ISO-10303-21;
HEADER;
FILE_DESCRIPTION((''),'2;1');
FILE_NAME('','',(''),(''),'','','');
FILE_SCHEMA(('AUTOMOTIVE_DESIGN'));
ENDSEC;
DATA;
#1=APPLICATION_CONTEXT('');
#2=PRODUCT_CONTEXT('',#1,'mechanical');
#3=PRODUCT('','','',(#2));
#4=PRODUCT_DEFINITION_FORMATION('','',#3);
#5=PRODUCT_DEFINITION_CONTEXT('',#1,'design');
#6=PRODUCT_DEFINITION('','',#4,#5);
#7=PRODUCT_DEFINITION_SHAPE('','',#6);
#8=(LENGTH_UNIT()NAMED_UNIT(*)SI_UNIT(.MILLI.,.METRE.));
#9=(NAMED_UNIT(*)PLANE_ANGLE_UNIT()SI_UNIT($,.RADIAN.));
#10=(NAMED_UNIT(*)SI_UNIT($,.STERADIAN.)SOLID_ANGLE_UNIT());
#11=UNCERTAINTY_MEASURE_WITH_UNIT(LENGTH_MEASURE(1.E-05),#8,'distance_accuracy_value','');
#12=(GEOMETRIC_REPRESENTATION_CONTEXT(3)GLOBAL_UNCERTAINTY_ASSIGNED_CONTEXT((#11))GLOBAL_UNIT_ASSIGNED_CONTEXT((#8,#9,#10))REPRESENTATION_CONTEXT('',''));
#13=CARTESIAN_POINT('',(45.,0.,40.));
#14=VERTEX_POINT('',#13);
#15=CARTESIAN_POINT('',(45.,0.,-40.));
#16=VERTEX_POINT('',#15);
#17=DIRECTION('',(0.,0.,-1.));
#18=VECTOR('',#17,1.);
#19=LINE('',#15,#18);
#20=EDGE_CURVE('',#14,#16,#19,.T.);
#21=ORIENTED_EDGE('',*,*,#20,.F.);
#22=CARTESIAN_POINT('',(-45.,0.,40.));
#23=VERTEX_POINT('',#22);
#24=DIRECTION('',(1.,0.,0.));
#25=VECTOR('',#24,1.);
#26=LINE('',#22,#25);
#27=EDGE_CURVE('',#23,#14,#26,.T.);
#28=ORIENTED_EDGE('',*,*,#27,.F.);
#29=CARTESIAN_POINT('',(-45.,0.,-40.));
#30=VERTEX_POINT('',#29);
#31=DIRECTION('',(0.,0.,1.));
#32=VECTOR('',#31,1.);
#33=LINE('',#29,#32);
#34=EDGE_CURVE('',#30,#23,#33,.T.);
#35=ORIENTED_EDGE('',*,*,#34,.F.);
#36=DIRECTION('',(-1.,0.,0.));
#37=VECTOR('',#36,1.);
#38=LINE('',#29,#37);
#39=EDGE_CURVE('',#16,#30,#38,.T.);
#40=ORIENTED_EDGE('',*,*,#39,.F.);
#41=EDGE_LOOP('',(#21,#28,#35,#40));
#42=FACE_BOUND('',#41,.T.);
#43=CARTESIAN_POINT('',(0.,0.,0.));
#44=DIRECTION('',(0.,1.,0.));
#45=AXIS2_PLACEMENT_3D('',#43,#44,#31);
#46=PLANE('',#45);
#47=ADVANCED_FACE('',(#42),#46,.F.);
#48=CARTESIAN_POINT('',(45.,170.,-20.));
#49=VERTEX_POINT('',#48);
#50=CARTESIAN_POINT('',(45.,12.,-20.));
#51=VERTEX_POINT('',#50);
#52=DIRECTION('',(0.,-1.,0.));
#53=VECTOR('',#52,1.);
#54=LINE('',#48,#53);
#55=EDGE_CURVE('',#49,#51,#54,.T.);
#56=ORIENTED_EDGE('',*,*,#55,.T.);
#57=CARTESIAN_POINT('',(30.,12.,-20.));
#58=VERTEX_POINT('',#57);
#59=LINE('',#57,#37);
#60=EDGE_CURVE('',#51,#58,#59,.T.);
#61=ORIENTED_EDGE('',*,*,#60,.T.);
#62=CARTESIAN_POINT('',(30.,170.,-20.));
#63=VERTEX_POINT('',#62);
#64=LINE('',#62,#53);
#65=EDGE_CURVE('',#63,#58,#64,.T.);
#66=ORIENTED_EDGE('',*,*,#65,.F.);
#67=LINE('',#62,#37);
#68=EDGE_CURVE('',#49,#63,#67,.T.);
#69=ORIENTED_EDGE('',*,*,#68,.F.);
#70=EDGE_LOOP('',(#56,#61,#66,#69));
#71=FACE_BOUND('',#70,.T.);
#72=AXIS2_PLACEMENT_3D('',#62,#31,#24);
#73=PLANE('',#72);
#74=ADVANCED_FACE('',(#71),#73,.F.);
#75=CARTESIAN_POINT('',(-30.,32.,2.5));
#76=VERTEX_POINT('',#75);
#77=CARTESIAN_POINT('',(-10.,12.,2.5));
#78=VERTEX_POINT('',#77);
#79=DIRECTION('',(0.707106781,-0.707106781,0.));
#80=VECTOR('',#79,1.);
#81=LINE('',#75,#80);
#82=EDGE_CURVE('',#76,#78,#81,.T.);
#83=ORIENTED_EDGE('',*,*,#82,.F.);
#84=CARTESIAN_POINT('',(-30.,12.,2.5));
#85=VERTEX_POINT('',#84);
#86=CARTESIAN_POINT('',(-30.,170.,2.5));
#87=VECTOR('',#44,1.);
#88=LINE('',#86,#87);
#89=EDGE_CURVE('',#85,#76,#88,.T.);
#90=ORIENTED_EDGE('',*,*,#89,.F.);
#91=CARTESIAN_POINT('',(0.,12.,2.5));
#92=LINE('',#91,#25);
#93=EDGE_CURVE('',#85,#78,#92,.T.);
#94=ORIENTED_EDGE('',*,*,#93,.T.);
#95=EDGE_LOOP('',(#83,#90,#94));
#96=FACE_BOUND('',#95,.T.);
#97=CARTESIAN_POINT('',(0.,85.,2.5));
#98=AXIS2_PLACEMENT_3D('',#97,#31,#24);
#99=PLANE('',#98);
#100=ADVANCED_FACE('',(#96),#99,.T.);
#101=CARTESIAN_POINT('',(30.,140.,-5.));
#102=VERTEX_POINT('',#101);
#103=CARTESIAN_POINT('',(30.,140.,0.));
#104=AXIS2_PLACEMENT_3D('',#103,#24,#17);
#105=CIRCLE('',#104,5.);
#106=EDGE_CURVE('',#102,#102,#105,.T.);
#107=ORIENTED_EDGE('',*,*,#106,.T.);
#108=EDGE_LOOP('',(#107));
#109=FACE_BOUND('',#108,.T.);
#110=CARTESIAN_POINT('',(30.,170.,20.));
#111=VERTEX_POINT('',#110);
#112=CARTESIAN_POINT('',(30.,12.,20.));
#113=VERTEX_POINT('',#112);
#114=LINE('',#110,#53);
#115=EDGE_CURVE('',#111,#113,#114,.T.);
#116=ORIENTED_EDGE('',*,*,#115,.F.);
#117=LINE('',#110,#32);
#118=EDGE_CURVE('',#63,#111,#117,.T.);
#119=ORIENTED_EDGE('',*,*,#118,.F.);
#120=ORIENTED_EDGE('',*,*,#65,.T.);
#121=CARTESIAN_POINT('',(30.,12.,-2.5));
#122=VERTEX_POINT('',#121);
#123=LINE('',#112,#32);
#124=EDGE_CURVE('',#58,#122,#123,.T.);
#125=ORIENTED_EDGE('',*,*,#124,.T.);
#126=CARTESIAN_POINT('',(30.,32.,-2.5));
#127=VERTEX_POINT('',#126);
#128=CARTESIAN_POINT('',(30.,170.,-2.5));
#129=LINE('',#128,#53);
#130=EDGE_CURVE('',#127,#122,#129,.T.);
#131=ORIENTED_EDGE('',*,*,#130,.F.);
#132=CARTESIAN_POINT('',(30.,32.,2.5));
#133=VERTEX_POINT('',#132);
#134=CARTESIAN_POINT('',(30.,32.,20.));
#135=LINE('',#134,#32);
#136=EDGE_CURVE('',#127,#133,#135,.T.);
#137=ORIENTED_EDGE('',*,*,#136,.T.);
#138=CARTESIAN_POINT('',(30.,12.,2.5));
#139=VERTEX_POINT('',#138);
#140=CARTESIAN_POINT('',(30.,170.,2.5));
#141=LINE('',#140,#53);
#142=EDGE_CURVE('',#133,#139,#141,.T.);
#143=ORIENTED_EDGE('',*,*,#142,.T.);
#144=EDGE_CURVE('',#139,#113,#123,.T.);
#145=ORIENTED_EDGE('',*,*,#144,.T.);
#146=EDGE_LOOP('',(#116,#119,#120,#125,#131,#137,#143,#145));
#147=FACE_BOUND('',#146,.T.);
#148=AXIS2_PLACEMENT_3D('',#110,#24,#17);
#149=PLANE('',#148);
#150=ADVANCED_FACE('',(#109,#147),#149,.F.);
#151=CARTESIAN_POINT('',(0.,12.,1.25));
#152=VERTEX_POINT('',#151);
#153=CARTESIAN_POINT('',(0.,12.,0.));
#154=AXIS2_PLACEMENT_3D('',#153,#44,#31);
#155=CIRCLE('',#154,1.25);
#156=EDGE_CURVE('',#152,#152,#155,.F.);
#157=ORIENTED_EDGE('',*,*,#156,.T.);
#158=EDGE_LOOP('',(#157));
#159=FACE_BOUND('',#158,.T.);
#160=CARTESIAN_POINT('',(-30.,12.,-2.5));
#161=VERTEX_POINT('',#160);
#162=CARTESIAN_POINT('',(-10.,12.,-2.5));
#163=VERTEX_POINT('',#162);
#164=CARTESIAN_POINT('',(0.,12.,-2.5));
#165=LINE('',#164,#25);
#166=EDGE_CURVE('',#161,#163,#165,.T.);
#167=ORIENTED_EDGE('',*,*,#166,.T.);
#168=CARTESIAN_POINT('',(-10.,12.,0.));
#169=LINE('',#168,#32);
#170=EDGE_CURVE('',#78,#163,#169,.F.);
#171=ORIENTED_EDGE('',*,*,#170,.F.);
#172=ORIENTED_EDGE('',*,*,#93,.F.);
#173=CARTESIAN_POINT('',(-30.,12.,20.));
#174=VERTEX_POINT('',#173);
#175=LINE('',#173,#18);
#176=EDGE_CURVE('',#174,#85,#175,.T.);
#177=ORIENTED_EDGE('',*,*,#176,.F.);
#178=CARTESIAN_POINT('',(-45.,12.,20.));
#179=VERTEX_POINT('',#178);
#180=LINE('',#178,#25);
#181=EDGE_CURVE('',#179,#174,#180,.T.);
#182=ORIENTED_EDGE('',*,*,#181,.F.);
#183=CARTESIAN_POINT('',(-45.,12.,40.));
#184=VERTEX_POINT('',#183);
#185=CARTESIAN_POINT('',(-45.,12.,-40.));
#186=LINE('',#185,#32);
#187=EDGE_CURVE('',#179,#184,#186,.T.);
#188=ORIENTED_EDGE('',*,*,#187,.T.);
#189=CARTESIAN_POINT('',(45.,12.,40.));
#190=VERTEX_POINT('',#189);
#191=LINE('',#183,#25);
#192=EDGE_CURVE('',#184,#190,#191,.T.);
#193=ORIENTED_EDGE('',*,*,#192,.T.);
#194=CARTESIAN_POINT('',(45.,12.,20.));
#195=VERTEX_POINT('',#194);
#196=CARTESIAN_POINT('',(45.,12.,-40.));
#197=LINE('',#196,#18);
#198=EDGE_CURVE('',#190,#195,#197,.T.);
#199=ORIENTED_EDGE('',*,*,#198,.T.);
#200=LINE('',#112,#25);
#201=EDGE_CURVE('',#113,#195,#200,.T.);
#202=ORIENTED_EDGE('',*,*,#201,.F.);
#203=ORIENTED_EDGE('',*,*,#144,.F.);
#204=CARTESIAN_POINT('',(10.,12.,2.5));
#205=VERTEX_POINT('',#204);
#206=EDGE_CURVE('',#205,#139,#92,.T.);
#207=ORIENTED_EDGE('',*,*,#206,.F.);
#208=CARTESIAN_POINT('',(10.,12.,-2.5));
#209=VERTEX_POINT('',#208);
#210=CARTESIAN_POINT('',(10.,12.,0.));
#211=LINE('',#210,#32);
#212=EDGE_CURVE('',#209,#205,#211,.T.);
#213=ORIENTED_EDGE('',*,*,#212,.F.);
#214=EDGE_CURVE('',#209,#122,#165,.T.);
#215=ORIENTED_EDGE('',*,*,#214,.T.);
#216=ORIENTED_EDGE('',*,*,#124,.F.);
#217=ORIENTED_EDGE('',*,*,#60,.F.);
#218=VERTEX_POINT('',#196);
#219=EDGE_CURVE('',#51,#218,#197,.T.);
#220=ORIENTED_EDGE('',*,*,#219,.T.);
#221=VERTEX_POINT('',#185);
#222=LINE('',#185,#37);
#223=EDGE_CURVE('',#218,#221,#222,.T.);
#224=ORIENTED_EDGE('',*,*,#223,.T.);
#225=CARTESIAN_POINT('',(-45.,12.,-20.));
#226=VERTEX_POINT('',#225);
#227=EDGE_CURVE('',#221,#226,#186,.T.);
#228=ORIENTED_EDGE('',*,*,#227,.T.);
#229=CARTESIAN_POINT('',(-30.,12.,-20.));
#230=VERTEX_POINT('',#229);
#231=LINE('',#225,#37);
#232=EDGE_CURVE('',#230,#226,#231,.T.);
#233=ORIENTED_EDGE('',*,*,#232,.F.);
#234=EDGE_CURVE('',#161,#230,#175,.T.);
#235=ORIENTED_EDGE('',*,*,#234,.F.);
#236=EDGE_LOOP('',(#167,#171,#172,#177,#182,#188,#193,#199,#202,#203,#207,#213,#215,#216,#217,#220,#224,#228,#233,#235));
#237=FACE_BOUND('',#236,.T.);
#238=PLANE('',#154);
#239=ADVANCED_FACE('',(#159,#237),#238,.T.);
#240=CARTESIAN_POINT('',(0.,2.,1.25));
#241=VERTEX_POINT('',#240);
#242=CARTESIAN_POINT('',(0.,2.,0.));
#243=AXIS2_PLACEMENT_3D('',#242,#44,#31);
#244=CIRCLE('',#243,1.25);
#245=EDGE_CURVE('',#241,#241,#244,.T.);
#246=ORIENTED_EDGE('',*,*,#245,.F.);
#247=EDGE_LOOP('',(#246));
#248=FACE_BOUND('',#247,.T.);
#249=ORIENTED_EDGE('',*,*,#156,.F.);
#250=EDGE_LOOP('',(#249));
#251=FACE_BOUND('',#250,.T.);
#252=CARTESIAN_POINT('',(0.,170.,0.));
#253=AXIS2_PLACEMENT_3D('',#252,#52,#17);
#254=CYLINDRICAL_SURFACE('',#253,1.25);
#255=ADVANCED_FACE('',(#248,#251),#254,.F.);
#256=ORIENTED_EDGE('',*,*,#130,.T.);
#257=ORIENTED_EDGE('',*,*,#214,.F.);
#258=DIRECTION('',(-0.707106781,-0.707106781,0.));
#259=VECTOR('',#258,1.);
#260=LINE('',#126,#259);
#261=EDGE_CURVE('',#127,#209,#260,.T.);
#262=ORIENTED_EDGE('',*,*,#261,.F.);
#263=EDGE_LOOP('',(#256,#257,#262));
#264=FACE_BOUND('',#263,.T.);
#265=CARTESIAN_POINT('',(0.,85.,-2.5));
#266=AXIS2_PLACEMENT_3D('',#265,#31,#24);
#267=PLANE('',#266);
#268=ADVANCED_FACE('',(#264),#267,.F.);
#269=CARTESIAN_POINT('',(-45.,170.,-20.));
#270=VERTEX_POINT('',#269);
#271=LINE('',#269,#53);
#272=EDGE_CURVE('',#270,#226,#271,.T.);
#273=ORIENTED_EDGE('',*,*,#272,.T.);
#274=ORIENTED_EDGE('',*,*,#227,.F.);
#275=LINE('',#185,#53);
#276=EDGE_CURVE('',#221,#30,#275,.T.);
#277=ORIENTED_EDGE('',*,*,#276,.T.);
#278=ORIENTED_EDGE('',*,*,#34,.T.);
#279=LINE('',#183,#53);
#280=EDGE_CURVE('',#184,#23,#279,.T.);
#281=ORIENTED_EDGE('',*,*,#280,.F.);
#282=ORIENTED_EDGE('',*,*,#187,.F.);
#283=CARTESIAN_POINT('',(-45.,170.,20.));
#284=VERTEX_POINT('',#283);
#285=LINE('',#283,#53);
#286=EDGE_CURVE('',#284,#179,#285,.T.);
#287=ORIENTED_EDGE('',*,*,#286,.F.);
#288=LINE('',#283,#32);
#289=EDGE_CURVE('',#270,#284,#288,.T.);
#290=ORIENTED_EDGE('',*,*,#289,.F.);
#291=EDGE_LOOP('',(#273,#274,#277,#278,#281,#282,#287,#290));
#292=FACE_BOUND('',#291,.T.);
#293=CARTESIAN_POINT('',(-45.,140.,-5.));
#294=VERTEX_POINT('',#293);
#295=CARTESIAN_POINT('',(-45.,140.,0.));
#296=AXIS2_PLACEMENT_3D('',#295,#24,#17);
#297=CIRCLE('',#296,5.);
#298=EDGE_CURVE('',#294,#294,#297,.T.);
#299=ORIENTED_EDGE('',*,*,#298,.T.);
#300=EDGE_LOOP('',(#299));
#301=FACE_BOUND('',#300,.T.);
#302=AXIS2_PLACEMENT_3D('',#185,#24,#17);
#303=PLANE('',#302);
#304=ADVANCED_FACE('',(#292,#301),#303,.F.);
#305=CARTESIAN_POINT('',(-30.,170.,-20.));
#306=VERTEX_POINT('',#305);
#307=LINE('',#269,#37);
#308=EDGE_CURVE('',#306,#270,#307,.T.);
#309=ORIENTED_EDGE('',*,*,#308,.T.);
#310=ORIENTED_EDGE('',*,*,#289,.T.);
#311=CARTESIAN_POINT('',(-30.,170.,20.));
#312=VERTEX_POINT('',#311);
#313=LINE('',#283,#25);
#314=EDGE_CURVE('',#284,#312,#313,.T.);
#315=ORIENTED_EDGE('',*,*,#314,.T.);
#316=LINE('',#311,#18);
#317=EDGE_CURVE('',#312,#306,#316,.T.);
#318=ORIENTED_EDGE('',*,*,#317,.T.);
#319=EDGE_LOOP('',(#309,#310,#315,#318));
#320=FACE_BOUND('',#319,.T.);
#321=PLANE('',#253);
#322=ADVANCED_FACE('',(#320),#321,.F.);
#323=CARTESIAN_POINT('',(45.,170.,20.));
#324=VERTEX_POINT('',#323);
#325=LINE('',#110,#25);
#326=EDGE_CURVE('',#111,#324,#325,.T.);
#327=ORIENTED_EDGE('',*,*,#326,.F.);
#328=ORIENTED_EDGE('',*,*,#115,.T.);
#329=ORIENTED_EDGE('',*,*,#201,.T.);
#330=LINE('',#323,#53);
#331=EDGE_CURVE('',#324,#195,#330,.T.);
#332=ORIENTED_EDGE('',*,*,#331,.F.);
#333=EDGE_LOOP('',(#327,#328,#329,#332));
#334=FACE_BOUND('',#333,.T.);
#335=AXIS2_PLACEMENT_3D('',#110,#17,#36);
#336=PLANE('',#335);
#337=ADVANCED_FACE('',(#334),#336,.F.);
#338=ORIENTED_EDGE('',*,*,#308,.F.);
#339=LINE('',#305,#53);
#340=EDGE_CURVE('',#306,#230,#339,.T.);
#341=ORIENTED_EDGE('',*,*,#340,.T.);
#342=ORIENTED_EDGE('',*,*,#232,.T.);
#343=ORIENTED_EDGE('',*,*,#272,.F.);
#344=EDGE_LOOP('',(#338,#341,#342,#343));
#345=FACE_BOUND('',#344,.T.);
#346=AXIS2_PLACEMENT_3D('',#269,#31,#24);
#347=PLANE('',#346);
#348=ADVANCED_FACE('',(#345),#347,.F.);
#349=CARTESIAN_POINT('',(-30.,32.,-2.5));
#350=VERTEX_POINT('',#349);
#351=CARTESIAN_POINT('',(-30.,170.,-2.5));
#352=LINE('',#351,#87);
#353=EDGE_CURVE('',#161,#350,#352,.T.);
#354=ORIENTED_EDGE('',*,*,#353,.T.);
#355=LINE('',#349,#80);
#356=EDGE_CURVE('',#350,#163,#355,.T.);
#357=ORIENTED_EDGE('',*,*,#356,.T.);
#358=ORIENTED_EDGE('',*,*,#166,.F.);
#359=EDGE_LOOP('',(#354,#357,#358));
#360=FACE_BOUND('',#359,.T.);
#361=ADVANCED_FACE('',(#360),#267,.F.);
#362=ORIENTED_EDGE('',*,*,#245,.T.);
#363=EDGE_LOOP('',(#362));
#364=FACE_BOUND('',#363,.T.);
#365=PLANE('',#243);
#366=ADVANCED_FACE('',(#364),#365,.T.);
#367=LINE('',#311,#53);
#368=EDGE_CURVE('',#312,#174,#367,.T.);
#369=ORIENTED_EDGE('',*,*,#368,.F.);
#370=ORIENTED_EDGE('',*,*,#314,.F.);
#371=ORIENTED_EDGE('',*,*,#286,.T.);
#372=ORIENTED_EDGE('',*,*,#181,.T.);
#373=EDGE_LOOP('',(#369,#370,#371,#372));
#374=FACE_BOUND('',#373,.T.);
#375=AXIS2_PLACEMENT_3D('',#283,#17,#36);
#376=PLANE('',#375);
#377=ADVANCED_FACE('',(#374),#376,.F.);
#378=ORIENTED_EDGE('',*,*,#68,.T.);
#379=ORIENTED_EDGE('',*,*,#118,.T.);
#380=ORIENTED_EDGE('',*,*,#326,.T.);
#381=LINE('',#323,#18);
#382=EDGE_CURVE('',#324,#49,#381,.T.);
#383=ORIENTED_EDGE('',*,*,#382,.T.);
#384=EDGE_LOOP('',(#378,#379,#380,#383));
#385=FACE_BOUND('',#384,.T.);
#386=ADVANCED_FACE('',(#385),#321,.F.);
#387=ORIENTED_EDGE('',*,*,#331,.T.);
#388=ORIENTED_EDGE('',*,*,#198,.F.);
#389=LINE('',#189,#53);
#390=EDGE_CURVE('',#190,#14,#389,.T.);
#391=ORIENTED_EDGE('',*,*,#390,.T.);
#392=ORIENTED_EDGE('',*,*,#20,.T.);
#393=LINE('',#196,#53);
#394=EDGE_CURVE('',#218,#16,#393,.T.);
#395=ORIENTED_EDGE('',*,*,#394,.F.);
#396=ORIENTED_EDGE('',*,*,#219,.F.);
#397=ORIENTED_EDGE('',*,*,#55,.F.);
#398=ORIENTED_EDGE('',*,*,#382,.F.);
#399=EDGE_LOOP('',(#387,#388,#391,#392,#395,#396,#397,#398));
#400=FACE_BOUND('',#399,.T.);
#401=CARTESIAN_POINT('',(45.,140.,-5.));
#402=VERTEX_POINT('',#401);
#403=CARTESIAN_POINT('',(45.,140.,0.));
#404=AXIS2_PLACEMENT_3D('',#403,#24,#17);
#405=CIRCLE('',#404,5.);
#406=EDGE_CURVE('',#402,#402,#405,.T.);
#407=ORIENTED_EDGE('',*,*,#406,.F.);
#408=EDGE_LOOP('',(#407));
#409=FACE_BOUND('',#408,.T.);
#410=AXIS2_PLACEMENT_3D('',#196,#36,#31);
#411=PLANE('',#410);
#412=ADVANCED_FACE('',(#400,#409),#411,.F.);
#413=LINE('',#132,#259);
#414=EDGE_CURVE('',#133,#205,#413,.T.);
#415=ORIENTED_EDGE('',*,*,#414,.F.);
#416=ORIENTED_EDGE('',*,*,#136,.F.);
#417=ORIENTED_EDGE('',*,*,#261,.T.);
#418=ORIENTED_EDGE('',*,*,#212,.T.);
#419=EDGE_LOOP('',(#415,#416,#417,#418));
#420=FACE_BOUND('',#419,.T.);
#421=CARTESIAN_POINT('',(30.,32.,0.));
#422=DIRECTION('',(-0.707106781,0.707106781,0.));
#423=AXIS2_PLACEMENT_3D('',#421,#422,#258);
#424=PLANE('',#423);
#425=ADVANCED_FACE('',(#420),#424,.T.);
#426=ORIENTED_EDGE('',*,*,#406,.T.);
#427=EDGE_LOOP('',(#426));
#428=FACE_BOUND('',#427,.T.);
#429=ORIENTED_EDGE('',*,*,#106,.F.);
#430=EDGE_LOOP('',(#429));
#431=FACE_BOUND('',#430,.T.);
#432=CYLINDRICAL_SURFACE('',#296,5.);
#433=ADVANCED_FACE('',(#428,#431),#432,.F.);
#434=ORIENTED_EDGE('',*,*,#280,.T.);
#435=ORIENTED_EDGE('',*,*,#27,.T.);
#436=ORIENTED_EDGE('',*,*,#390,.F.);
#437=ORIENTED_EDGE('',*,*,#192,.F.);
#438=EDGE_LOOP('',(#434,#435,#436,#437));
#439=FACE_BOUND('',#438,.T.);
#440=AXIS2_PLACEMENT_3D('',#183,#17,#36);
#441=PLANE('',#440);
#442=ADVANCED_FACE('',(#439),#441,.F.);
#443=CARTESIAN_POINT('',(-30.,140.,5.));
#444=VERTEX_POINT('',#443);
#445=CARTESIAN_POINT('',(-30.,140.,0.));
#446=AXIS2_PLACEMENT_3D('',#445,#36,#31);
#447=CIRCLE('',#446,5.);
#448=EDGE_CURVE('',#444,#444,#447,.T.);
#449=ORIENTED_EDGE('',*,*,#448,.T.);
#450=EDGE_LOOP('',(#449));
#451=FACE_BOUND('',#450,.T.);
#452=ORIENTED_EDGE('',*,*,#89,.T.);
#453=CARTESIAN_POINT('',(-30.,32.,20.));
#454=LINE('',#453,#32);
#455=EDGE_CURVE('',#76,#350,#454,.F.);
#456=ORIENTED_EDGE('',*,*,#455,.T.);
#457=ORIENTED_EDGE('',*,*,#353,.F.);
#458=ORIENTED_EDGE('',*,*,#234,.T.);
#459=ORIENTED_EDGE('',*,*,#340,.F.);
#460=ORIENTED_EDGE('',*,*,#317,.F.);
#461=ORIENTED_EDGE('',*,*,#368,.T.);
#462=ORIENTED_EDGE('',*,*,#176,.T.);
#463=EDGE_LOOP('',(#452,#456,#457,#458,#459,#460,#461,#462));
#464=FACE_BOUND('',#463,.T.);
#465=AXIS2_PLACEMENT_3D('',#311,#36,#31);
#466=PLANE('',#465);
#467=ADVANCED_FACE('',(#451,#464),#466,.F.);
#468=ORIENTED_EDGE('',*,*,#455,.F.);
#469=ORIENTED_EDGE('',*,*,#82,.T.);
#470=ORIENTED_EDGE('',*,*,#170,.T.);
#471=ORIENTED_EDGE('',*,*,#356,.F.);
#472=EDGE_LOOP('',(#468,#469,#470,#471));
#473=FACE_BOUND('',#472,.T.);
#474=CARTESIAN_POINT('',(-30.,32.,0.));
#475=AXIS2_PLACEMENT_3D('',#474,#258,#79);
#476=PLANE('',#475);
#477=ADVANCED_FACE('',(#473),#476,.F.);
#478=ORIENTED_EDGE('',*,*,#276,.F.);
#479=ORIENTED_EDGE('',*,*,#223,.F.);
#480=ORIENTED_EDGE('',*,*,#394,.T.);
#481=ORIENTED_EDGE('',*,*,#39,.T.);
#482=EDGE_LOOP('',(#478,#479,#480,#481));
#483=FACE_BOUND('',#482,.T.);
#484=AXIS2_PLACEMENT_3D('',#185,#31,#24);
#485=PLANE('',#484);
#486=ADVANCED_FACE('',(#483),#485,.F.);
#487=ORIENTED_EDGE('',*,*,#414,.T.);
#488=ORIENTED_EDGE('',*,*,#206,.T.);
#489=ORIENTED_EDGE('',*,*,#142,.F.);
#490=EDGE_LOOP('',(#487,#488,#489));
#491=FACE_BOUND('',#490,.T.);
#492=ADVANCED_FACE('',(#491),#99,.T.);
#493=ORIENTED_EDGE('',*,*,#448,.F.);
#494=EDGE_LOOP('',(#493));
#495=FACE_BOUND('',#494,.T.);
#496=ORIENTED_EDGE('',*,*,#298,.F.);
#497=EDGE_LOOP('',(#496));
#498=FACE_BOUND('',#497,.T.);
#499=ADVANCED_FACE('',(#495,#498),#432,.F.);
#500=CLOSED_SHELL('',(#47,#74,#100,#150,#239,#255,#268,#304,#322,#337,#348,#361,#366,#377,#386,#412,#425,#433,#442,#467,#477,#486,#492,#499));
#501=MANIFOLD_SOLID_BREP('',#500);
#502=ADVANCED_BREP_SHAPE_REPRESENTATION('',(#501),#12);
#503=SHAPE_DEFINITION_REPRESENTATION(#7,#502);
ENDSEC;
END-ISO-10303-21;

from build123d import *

# Parameters (mm, degrees)
SKETCH_1_W               = 90
SKETCH_1_H               = 80
EXTRUDE_1_DEPTH          = 12
SKETCH_2_W               = 15
SKETCH_2_H               = 40
EXTRUDE_2_DEPTH          = 158
CUT_EXTRUDE_1_DEPTH      = 181.346887969
CUT_EXTRUDE_1_DEPTH_BACK = 181.346887969
SKETCH_3_R               = 5
CUT_EXTRUDE_2_DEPTH      = 170.082819943
CUT_EXTRUDE_2_DEPTH_BACK = 10
SKETCH_4_R               = 1.25
RIB_6_REACH              = 182.347
SKETCH_6_WALL_W          = 28.284271248
SKETCH_6_WALL_H          = 5


with BuildPart() as part:
    # 草图1 → 凸台-拉伸1 (new body)
    with BuildSketch(Plane(origin=(0, 0, 0), x_dir=(1, 0, 0), z_dir=(0, 1, 0))):
        Rectangle(SKETCH_1_W, SKETCH_1_H)
    extrude(amount=EXTRUDE_1_DEPTH)

    # 草图2 → 凸台-拉伸2 (add)
    with BuildSketch(Plane(origin=(0, 12, 0), x_dir=(1, 0, 0), z_dir=(0, 1, 0))):
        with Locations((-37.5, 0)):
            Rectangle(SKETCH_2_W, SKETCH_2_H)
        with Locations((37.5, 0)):
            Rectangle(SKETCH_2_W, SKETCH_2_H)
    extrude(amount=EXTRUDE_2_DEPTH)

    # 草图3 → 切除-拉伸1 (cut, two sides: drawn at the far end of the back side and taken through both)
    with BuildSketch(Plane(origin=(0, 0, 0), x_dir=(0, 0, -1), z_dir=(1, 0, 0)).offset(-CUT_EXTRUDE_1_DEPTH_BACK)):
        with Locations((0, 140)):
            Circle(SKETCH_3_R)
    extrude(amount=CUT_EXTRUDE_1_DEPTH + CUT_EXTRUDE_1_DEPTH_BACK, mode=Mode.SUBTRACT)

    # 草图4 → 切除-拉伸2 (cut, two sides: drawn at the far end of the back side and taken through both)
    with BuildSketch(Plane(origin=(0, 12, 0), x_dir=(1, 0, 0), z_dir=(0, 1, 0)).offset(-CUT_EXTRUDE_2_DEPTH_BACK)):
        with Locations(Location((0, 0, 0), (0, 0, 270))):
            Circle(SKETCH_4_R)
    extrude(amount=CUT_EXTRUDE_2_DEPTH + CUT_EXTRUDE_2_DEPTH_BACK, mode=Mode.SUBTRACT)

    # 草图6 wall → 筋6 (add, up to next)
    with BuildSketch(Plane(origin=(-20, 22, 0), x_dir=(0.707106781187, -0.707106781187, 0), z_dir=(0.707106781187, 0.707106781187, 0)), mode=Mode.PRIVATE) as rib_6_sk1:
        Rectangle(SKETCH_6_WALL_W, SKETCH_6_WALL_H)
    rib_6_tool1 = extrude(rib_6_sk1.sketch, amount=-RIB_6_REACH, mode=Mode.PRIVATE) - part.part
    rib_6 = rib_6_tool1.solids().sort_by_distance((-20, 22, 0))[0]
    add(rib_6)

    # 镜向1: 筋6 across plane
    add(rib_6.mirror(Plane(origin=(0, 0, 0), x_dir=(0, 0, 1), z_dir=(1, 0, 0))))


solid = part.part
